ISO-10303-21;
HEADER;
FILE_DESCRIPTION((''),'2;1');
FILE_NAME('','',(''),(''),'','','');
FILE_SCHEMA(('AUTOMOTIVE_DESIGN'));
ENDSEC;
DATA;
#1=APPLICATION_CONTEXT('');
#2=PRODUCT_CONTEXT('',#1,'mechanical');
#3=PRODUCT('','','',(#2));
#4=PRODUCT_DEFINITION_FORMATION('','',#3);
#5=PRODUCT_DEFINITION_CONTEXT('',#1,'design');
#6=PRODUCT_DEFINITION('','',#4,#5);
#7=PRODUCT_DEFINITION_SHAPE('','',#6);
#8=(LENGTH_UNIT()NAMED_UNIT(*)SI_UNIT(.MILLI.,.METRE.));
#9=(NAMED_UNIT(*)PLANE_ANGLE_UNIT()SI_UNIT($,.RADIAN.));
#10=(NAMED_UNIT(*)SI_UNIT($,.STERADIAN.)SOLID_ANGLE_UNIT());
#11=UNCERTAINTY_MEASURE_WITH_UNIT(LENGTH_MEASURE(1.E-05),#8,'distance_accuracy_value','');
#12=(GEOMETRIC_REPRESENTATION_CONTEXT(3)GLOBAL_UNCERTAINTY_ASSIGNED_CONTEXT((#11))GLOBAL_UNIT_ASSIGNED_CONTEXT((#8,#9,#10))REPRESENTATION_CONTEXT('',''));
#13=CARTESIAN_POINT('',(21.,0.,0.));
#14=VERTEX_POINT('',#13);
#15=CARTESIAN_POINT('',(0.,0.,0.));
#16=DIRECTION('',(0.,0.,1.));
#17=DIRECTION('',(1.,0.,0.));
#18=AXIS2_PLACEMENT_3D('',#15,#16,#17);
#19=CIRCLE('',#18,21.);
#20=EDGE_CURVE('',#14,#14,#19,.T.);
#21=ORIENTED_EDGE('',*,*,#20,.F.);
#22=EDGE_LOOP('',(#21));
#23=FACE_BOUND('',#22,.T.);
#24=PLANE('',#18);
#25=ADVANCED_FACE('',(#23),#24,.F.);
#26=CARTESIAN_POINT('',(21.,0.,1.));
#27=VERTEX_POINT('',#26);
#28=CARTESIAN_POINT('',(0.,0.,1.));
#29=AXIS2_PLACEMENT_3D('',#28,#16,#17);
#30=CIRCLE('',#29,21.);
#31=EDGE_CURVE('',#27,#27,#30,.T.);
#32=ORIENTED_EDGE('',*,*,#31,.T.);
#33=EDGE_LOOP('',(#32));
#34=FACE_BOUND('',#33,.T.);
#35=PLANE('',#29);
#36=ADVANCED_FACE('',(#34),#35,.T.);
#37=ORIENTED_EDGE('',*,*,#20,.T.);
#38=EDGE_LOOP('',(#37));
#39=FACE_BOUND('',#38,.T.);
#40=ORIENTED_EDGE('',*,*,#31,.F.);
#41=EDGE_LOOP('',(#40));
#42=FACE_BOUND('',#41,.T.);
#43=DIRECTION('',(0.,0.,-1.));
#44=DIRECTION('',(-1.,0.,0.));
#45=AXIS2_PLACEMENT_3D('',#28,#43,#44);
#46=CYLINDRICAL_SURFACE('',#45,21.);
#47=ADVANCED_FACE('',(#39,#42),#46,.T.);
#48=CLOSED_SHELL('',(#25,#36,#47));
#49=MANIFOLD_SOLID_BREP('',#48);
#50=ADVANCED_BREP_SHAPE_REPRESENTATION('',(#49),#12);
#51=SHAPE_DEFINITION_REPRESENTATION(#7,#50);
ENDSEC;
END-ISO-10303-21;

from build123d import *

# Parameters (mm, degrees)
ESBO_O1_R                = 21
RESSALTO_EXTRUS_O1_DEPTH = 1


with BuildPart() as part:
    # Esboço1 → Ressalto-extrusão1 (new body)
    with BuildSketch(Plane.XY):
        Circle(ESBO_O1_R)
    extrude(amount=RESSALTO_EXTRUS_O1_DEPTH)


solid = part.part
